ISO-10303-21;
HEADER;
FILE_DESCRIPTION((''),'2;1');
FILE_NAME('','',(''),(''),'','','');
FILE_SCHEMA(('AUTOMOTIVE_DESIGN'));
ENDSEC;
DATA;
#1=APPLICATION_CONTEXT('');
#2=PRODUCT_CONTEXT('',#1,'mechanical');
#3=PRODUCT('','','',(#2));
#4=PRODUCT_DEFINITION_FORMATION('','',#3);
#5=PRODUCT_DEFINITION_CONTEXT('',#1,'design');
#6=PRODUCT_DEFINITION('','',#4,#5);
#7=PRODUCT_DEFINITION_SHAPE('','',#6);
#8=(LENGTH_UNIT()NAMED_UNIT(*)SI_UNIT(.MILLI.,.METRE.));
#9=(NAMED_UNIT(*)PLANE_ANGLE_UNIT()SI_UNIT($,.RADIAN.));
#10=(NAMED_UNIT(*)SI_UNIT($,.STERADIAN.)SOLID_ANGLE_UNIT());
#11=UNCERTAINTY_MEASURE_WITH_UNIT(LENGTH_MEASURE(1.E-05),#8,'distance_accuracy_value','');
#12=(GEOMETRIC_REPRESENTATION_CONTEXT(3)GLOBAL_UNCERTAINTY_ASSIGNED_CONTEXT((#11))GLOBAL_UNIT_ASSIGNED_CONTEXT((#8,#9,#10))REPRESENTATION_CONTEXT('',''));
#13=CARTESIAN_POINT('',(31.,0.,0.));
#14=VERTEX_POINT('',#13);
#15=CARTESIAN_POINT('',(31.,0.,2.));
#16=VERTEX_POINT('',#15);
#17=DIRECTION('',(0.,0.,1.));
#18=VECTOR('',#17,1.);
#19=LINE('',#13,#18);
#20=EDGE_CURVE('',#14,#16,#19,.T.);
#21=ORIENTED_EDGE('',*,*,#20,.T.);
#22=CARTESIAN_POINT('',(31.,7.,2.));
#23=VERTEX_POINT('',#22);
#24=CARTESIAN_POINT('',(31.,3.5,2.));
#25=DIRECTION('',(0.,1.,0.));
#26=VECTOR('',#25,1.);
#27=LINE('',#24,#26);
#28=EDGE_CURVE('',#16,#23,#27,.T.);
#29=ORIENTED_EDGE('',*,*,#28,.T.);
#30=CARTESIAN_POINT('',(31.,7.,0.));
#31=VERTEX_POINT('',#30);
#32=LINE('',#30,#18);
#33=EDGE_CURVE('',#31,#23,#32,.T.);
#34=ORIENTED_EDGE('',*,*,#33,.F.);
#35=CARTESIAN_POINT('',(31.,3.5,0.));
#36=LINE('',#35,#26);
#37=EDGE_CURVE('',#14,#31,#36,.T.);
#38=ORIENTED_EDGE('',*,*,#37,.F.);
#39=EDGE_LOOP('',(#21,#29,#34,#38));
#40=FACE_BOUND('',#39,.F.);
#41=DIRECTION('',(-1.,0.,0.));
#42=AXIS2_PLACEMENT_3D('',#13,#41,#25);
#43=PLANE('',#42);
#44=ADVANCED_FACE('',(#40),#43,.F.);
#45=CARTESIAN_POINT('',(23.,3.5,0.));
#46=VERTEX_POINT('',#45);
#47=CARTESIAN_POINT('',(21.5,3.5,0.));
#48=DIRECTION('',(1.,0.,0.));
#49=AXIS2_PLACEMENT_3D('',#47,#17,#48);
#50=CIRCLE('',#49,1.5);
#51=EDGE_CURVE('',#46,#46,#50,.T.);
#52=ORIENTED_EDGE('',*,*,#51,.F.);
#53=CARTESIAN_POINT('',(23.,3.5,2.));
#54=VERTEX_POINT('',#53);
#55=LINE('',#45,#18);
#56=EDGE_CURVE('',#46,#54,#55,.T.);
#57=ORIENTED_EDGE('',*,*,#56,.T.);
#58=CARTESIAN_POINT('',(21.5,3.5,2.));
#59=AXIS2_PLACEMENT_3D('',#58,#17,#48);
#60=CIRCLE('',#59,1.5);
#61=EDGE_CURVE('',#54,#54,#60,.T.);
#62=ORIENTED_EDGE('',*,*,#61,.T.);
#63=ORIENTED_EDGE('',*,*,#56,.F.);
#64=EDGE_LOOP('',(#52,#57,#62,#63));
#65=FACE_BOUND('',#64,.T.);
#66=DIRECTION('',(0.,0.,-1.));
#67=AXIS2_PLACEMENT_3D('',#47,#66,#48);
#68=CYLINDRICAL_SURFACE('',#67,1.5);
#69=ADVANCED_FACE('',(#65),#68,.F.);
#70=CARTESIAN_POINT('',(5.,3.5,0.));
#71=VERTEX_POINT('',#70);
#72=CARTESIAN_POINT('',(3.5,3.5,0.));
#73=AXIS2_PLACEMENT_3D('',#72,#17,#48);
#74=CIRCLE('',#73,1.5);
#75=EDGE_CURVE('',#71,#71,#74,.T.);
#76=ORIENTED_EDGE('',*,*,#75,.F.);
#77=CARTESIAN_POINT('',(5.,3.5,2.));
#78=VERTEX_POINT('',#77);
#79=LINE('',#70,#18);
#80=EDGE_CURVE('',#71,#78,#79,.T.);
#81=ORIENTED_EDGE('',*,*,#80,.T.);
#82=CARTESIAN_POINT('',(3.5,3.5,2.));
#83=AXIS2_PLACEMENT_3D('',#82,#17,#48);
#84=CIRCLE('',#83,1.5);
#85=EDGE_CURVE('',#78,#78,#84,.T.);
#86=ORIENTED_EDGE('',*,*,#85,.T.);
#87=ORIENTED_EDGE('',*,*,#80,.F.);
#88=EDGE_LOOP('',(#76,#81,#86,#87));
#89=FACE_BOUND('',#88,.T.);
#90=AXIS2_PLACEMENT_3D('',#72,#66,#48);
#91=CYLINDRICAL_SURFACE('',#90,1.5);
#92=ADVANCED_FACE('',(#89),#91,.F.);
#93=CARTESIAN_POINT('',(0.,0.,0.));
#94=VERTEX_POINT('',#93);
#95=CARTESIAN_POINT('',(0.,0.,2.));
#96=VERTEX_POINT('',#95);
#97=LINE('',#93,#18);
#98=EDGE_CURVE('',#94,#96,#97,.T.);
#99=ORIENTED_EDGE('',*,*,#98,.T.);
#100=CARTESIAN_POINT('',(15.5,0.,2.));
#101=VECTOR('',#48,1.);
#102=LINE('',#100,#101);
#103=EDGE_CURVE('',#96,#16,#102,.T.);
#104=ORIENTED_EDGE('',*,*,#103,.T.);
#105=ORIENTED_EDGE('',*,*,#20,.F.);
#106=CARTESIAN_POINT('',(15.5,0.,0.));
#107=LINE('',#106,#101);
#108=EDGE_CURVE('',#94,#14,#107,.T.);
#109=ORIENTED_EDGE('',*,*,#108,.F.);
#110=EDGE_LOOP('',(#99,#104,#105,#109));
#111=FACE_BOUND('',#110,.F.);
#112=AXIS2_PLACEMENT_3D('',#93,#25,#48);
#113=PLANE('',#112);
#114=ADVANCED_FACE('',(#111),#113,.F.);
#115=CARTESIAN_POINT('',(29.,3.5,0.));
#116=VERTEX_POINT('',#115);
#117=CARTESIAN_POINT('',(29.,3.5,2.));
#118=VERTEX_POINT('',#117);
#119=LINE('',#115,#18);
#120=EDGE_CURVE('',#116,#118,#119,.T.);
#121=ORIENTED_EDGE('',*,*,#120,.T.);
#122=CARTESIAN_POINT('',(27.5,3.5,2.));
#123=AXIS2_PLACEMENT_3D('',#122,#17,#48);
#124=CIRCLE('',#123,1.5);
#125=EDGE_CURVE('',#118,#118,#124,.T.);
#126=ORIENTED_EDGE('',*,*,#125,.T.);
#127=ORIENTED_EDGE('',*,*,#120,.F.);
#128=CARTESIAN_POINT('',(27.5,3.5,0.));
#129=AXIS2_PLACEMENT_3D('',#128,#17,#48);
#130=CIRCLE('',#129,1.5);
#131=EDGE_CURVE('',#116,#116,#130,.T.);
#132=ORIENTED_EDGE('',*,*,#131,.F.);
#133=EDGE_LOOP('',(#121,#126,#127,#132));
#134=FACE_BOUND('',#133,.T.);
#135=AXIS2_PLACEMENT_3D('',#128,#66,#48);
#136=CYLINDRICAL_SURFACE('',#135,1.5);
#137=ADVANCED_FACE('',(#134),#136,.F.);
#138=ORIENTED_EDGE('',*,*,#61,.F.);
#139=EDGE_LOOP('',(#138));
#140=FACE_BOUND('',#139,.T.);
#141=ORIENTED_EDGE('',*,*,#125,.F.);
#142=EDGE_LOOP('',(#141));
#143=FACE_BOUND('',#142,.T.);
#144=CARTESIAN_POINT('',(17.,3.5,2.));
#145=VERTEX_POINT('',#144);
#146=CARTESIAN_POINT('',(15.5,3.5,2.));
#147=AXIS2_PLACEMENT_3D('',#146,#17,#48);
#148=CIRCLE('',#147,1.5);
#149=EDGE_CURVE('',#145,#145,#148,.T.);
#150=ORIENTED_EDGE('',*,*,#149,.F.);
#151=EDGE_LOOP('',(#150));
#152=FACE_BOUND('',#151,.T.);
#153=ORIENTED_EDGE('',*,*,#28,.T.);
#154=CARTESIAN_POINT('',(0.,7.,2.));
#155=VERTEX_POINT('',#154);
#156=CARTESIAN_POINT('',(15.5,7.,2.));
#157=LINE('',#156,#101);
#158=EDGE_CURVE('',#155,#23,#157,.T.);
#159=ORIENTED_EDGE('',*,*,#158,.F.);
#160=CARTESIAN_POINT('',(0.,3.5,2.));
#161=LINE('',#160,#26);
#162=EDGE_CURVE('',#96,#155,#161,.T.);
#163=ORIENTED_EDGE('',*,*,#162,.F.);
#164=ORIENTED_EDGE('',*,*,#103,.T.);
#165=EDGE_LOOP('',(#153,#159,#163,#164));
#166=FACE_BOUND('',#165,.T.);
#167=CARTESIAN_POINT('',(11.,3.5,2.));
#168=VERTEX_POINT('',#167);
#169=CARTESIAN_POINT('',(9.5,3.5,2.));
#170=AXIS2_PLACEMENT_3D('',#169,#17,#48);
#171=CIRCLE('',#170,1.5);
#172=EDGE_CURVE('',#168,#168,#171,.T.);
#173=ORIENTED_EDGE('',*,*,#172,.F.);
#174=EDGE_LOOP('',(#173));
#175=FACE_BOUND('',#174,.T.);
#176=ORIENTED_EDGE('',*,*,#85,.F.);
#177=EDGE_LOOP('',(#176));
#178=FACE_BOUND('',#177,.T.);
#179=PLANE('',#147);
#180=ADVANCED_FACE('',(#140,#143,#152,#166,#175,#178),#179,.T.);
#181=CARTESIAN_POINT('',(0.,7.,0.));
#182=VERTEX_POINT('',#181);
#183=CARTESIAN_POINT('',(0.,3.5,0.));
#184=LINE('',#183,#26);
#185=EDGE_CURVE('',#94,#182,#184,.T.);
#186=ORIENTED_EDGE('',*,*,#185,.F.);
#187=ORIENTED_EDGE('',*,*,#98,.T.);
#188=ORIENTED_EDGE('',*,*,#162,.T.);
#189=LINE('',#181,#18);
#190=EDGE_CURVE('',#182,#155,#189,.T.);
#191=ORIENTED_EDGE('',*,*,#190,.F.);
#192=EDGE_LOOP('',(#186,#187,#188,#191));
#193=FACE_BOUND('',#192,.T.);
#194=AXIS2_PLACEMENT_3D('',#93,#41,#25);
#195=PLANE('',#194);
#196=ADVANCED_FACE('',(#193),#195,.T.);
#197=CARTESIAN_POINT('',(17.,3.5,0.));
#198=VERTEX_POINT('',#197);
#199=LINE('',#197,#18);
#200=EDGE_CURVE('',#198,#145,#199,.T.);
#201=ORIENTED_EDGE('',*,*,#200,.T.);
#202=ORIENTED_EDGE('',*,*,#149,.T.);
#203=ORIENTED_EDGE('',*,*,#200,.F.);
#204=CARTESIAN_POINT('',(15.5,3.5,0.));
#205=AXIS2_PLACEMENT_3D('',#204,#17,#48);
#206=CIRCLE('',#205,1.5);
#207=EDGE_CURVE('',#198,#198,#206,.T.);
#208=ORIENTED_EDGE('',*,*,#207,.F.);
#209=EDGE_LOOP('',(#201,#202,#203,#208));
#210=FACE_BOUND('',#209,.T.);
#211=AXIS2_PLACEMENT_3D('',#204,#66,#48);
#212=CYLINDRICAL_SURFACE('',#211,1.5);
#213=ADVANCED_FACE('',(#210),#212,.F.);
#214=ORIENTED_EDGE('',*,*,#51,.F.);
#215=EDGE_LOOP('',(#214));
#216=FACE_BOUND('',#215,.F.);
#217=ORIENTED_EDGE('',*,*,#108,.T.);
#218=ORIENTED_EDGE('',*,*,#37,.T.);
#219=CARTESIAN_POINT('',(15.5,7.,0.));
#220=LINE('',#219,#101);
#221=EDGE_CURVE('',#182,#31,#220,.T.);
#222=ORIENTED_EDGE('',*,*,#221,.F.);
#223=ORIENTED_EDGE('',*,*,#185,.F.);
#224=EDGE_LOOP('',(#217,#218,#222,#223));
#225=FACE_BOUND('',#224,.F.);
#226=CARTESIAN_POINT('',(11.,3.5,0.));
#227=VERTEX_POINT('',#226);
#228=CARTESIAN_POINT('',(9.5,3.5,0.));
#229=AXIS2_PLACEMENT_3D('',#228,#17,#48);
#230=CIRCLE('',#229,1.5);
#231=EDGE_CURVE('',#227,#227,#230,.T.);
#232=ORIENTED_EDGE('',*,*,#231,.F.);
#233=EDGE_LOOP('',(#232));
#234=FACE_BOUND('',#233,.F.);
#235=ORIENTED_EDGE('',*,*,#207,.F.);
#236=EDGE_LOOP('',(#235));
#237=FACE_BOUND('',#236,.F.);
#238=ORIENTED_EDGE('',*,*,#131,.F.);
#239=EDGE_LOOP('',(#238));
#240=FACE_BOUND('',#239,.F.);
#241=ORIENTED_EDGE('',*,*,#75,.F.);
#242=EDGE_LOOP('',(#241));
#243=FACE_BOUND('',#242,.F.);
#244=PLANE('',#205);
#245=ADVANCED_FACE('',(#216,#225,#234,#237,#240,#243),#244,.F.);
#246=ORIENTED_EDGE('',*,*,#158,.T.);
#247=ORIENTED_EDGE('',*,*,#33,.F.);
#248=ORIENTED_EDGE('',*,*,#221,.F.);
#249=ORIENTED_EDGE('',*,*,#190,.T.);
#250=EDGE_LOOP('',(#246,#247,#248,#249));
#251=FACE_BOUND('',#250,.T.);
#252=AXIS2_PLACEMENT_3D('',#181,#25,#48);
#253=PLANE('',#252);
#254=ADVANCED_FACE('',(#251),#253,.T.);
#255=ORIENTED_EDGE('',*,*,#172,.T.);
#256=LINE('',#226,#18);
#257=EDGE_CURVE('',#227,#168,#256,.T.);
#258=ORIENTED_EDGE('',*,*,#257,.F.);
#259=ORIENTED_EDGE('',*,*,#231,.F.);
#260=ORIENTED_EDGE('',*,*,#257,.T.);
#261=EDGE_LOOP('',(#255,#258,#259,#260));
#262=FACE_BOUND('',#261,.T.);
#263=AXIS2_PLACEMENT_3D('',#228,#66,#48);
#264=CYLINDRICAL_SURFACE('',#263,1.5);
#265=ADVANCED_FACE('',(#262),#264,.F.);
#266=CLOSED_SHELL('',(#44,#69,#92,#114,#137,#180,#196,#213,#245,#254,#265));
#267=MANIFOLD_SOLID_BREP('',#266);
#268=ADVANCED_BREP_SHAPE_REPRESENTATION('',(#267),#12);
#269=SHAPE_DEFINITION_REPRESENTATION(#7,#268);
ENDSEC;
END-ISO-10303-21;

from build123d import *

# Parameters (mm, degrees)
CYLINDER_R     = 1.5
CYLINDER_DEPTH = 2
ARRAY_X_COUNT  = 5
ARRAY_X_PITCH  = 6
BOX_W          = 31
BOX_H          = 7
BOX_DEPTH      = 2


with BuildPart() as array:
    # Cylinder → Cylinder (new body)
    with BuildSketch(Plane(origin=(3.5, 3.5, 0), x_dir=(1, 0, 0), z_dir=(0, 0, 1))):
        Circle(CYLINDER_R)
    extrude(amount=CYLINDER_DEPTH)

    # Array X: Array ×5


with BuildPart() as array_1:
    add(array.part)
    with Locations(*[(i * ARRAY_X_PITCH, 0, 0) for i in range(1, ARRAY_X_COUNT)]):
        add(array.part)


with BuildPart() as cut:
    # Box → Box (new body)
    with BuildSketch(Plane.XY):
        with Locations((15.5, 3.5)):
            Rectangle(BOX_W, BOX_H)
    extrude(amount=BOX_DEPTH)

    # Cut: cut Array
    add(array_1.part, mode=Mode.SUBTRACT)


solid = cut.part
